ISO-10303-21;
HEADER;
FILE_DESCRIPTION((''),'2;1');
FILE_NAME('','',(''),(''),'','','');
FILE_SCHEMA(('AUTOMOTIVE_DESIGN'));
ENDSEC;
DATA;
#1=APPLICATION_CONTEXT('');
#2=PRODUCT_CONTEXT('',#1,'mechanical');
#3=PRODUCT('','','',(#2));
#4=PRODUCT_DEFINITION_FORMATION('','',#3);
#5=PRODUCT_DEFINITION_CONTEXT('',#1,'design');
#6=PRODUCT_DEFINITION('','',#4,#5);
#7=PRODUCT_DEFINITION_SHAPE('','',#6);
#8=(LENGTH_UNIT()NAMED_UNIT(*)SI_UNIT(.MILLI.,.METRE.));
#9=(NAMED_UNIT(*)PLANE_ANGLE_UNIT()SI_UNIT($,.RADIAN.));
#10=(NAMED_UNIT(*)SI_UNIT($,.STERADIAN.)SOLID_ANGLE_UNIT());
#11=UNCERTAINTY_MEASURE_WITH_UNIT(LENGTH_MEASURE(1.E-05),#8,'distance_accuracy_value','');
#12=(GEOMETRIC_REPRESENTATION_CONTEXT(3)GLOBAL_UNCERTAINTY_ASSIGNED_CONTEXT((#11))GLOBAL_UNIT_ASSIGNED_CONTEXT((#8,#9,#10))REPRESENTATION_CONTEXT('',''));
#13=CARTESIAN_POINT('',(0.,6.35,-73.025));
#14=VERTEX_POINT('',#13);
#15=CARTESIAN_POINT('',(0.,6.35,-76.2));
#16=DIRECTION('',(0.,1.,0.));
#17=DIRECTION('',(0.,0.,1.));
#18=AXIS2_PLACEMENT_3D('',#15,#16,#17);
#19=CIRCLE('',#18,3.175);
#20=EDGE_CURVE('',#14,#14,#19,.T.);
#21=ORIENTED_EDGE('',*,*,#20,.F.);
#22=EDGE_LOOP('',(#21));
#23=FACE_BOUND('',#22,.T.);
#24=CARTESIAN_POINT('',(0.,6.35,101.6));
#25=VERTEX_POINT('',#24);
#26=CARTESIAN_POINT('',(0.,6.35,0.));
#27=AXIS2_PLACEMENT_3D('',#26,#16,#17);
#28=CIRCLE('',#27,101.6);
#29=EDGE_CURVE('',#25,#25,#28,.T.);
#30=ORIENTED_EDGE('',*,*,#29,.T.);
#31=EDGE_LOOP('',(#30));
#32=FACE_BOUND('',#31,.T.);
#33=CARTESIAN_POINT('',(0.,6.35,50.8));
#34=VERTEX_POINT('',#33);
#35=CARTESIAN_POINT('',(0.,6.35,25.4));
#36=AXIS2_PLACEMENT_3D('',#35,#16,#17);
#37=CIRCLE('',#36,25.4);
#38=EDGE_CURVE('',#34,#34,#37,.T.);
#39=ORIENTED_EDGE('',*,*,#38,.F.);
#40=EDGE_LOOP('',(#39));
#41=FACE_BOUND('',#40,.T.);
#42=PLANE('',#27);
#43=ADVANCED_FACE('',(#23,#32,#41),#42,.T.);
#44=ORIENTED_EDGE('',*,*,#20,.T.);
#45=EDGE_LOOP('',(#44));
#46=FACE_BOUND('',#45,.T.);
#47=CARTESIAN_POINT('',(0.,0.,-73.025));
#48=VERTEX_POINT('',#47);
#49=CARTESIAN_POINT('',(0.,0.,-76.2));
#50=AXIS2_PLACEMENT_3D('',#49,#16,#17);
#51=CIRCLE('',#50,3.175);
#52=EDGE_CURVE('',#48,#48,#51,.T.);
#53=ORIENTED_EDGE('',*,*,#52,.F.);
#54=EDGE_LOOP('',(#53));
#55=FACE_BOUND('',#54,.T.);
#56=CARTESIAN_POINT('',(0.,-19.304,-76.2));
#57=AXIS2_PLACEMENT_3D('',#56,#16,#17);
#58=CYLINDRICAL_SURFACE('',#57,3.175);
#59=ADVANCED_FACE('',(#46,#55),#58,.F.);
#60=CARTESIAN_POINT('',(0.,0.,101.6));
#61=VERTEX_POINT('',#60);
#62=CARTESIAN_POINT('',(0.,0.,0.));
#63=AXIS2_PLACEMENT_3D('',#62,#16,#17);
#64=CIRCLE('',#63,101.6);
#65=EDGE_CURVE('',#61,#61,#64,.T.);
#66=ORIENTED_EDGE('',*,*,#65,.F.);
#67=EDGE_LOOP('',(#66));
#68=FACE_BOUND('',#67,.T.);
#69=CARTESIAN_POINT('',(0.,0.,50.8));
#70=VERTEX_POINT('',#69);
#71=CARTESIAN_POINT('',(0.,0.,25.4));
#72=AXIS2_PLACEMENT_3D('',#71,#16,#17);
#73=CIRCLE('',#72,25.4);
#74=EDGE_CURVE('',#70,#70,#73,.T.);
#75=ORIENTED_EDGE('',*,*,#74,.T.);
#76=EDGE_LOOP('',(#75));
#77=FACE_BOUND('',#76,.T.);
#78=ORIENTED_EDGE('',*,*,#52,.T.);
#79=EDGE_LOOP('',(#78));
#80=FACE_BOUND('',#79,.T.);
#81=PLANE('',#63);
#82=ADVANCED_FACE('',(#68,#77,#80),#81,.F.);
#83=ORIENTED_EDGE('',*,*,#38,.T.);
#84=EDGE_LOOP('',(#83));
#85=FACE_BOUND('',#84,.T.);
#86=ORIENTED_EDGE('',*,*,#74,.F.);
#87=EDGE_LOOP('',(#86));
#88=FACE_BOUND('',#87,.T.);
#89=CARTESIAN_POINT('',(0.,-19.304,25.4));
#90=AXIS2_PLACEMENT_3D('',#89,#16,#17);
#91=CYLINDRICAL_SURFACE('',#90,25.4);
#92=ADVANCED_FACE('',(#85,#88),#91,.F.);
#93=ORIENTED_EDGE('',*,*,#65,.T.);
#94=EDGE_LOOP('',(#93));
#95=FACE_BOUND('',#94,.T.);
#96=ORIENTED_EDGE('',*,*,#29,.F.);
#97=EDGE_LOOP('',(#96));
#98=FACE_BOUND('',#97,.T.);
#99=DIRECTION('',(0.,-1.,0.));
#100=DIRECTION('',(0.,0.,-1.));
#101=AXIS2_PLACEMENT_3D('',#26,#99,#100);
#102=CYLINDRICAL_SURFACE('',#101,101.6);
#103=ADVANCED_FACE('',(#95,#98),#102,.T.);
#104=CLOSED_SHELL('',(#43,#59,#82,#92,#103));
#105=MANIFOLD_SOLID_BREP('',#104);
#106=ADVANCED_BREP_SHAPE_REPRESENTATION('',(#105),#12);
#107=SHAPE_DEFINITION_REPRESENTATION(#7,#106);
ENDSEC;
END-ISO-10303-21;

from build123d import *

# Parameters (mm, degrees)
SKETCH1_R           = 101.6
BOSS_EXTRUDE1_DEPTH = 6.35
SKETCH2_R           = 25.4
CUT_EXTRUDE1_DEPTH  = 25.654
SKETCH3_R           = 3.175
CUT_EXTRUDE2_DEPTH  = 25.654


with BuildPart() as part:
    # Sketch1 → Boss-Extrude1 (new body)
    with BuildSketch(Plane(origin=(0, 0, 0), x_dir=(1, 0, 0), z_dir=(0, 1, 0))):
        with Locations(Location((0, 0, 0), (0, 0, 270))):
            Circle(SKETCH1_R)
    extrude(amount=BOSS_EXTRUDE1_DEPTH)

    # Sketch2 → Cut-Extrude1 (cut)
    with BuildSketch(Plane(origin=(0, 6.35, 0), x_dir=(1, 0, 0), z_dir=(0, 1, 0))):
        with Locations(Location((0, -25.4, 0), (0, 0, 270))):
            Circle(SKETCH2_R)
    extrude(amount=-CUT_EXTRUDE1_DEPTH, mode=Mode.SUBTRACT)

    # Sketch3 → Cut-Extrude2 (cut)
    with BuildSketch(Plane(origin=(0, 6.35, 0), x_dir=(1, 0, 0), z_dir=(0, 1, 0))):
        with Locations(Location((0, 76.2, 0), (0, 0, 270))):
            Circle(SKETCH3_R)
    extrude(amount=-CUT_EXTRUDE2_DEPTH, mode=Mode.SUBTRACT)


solid = part.part
